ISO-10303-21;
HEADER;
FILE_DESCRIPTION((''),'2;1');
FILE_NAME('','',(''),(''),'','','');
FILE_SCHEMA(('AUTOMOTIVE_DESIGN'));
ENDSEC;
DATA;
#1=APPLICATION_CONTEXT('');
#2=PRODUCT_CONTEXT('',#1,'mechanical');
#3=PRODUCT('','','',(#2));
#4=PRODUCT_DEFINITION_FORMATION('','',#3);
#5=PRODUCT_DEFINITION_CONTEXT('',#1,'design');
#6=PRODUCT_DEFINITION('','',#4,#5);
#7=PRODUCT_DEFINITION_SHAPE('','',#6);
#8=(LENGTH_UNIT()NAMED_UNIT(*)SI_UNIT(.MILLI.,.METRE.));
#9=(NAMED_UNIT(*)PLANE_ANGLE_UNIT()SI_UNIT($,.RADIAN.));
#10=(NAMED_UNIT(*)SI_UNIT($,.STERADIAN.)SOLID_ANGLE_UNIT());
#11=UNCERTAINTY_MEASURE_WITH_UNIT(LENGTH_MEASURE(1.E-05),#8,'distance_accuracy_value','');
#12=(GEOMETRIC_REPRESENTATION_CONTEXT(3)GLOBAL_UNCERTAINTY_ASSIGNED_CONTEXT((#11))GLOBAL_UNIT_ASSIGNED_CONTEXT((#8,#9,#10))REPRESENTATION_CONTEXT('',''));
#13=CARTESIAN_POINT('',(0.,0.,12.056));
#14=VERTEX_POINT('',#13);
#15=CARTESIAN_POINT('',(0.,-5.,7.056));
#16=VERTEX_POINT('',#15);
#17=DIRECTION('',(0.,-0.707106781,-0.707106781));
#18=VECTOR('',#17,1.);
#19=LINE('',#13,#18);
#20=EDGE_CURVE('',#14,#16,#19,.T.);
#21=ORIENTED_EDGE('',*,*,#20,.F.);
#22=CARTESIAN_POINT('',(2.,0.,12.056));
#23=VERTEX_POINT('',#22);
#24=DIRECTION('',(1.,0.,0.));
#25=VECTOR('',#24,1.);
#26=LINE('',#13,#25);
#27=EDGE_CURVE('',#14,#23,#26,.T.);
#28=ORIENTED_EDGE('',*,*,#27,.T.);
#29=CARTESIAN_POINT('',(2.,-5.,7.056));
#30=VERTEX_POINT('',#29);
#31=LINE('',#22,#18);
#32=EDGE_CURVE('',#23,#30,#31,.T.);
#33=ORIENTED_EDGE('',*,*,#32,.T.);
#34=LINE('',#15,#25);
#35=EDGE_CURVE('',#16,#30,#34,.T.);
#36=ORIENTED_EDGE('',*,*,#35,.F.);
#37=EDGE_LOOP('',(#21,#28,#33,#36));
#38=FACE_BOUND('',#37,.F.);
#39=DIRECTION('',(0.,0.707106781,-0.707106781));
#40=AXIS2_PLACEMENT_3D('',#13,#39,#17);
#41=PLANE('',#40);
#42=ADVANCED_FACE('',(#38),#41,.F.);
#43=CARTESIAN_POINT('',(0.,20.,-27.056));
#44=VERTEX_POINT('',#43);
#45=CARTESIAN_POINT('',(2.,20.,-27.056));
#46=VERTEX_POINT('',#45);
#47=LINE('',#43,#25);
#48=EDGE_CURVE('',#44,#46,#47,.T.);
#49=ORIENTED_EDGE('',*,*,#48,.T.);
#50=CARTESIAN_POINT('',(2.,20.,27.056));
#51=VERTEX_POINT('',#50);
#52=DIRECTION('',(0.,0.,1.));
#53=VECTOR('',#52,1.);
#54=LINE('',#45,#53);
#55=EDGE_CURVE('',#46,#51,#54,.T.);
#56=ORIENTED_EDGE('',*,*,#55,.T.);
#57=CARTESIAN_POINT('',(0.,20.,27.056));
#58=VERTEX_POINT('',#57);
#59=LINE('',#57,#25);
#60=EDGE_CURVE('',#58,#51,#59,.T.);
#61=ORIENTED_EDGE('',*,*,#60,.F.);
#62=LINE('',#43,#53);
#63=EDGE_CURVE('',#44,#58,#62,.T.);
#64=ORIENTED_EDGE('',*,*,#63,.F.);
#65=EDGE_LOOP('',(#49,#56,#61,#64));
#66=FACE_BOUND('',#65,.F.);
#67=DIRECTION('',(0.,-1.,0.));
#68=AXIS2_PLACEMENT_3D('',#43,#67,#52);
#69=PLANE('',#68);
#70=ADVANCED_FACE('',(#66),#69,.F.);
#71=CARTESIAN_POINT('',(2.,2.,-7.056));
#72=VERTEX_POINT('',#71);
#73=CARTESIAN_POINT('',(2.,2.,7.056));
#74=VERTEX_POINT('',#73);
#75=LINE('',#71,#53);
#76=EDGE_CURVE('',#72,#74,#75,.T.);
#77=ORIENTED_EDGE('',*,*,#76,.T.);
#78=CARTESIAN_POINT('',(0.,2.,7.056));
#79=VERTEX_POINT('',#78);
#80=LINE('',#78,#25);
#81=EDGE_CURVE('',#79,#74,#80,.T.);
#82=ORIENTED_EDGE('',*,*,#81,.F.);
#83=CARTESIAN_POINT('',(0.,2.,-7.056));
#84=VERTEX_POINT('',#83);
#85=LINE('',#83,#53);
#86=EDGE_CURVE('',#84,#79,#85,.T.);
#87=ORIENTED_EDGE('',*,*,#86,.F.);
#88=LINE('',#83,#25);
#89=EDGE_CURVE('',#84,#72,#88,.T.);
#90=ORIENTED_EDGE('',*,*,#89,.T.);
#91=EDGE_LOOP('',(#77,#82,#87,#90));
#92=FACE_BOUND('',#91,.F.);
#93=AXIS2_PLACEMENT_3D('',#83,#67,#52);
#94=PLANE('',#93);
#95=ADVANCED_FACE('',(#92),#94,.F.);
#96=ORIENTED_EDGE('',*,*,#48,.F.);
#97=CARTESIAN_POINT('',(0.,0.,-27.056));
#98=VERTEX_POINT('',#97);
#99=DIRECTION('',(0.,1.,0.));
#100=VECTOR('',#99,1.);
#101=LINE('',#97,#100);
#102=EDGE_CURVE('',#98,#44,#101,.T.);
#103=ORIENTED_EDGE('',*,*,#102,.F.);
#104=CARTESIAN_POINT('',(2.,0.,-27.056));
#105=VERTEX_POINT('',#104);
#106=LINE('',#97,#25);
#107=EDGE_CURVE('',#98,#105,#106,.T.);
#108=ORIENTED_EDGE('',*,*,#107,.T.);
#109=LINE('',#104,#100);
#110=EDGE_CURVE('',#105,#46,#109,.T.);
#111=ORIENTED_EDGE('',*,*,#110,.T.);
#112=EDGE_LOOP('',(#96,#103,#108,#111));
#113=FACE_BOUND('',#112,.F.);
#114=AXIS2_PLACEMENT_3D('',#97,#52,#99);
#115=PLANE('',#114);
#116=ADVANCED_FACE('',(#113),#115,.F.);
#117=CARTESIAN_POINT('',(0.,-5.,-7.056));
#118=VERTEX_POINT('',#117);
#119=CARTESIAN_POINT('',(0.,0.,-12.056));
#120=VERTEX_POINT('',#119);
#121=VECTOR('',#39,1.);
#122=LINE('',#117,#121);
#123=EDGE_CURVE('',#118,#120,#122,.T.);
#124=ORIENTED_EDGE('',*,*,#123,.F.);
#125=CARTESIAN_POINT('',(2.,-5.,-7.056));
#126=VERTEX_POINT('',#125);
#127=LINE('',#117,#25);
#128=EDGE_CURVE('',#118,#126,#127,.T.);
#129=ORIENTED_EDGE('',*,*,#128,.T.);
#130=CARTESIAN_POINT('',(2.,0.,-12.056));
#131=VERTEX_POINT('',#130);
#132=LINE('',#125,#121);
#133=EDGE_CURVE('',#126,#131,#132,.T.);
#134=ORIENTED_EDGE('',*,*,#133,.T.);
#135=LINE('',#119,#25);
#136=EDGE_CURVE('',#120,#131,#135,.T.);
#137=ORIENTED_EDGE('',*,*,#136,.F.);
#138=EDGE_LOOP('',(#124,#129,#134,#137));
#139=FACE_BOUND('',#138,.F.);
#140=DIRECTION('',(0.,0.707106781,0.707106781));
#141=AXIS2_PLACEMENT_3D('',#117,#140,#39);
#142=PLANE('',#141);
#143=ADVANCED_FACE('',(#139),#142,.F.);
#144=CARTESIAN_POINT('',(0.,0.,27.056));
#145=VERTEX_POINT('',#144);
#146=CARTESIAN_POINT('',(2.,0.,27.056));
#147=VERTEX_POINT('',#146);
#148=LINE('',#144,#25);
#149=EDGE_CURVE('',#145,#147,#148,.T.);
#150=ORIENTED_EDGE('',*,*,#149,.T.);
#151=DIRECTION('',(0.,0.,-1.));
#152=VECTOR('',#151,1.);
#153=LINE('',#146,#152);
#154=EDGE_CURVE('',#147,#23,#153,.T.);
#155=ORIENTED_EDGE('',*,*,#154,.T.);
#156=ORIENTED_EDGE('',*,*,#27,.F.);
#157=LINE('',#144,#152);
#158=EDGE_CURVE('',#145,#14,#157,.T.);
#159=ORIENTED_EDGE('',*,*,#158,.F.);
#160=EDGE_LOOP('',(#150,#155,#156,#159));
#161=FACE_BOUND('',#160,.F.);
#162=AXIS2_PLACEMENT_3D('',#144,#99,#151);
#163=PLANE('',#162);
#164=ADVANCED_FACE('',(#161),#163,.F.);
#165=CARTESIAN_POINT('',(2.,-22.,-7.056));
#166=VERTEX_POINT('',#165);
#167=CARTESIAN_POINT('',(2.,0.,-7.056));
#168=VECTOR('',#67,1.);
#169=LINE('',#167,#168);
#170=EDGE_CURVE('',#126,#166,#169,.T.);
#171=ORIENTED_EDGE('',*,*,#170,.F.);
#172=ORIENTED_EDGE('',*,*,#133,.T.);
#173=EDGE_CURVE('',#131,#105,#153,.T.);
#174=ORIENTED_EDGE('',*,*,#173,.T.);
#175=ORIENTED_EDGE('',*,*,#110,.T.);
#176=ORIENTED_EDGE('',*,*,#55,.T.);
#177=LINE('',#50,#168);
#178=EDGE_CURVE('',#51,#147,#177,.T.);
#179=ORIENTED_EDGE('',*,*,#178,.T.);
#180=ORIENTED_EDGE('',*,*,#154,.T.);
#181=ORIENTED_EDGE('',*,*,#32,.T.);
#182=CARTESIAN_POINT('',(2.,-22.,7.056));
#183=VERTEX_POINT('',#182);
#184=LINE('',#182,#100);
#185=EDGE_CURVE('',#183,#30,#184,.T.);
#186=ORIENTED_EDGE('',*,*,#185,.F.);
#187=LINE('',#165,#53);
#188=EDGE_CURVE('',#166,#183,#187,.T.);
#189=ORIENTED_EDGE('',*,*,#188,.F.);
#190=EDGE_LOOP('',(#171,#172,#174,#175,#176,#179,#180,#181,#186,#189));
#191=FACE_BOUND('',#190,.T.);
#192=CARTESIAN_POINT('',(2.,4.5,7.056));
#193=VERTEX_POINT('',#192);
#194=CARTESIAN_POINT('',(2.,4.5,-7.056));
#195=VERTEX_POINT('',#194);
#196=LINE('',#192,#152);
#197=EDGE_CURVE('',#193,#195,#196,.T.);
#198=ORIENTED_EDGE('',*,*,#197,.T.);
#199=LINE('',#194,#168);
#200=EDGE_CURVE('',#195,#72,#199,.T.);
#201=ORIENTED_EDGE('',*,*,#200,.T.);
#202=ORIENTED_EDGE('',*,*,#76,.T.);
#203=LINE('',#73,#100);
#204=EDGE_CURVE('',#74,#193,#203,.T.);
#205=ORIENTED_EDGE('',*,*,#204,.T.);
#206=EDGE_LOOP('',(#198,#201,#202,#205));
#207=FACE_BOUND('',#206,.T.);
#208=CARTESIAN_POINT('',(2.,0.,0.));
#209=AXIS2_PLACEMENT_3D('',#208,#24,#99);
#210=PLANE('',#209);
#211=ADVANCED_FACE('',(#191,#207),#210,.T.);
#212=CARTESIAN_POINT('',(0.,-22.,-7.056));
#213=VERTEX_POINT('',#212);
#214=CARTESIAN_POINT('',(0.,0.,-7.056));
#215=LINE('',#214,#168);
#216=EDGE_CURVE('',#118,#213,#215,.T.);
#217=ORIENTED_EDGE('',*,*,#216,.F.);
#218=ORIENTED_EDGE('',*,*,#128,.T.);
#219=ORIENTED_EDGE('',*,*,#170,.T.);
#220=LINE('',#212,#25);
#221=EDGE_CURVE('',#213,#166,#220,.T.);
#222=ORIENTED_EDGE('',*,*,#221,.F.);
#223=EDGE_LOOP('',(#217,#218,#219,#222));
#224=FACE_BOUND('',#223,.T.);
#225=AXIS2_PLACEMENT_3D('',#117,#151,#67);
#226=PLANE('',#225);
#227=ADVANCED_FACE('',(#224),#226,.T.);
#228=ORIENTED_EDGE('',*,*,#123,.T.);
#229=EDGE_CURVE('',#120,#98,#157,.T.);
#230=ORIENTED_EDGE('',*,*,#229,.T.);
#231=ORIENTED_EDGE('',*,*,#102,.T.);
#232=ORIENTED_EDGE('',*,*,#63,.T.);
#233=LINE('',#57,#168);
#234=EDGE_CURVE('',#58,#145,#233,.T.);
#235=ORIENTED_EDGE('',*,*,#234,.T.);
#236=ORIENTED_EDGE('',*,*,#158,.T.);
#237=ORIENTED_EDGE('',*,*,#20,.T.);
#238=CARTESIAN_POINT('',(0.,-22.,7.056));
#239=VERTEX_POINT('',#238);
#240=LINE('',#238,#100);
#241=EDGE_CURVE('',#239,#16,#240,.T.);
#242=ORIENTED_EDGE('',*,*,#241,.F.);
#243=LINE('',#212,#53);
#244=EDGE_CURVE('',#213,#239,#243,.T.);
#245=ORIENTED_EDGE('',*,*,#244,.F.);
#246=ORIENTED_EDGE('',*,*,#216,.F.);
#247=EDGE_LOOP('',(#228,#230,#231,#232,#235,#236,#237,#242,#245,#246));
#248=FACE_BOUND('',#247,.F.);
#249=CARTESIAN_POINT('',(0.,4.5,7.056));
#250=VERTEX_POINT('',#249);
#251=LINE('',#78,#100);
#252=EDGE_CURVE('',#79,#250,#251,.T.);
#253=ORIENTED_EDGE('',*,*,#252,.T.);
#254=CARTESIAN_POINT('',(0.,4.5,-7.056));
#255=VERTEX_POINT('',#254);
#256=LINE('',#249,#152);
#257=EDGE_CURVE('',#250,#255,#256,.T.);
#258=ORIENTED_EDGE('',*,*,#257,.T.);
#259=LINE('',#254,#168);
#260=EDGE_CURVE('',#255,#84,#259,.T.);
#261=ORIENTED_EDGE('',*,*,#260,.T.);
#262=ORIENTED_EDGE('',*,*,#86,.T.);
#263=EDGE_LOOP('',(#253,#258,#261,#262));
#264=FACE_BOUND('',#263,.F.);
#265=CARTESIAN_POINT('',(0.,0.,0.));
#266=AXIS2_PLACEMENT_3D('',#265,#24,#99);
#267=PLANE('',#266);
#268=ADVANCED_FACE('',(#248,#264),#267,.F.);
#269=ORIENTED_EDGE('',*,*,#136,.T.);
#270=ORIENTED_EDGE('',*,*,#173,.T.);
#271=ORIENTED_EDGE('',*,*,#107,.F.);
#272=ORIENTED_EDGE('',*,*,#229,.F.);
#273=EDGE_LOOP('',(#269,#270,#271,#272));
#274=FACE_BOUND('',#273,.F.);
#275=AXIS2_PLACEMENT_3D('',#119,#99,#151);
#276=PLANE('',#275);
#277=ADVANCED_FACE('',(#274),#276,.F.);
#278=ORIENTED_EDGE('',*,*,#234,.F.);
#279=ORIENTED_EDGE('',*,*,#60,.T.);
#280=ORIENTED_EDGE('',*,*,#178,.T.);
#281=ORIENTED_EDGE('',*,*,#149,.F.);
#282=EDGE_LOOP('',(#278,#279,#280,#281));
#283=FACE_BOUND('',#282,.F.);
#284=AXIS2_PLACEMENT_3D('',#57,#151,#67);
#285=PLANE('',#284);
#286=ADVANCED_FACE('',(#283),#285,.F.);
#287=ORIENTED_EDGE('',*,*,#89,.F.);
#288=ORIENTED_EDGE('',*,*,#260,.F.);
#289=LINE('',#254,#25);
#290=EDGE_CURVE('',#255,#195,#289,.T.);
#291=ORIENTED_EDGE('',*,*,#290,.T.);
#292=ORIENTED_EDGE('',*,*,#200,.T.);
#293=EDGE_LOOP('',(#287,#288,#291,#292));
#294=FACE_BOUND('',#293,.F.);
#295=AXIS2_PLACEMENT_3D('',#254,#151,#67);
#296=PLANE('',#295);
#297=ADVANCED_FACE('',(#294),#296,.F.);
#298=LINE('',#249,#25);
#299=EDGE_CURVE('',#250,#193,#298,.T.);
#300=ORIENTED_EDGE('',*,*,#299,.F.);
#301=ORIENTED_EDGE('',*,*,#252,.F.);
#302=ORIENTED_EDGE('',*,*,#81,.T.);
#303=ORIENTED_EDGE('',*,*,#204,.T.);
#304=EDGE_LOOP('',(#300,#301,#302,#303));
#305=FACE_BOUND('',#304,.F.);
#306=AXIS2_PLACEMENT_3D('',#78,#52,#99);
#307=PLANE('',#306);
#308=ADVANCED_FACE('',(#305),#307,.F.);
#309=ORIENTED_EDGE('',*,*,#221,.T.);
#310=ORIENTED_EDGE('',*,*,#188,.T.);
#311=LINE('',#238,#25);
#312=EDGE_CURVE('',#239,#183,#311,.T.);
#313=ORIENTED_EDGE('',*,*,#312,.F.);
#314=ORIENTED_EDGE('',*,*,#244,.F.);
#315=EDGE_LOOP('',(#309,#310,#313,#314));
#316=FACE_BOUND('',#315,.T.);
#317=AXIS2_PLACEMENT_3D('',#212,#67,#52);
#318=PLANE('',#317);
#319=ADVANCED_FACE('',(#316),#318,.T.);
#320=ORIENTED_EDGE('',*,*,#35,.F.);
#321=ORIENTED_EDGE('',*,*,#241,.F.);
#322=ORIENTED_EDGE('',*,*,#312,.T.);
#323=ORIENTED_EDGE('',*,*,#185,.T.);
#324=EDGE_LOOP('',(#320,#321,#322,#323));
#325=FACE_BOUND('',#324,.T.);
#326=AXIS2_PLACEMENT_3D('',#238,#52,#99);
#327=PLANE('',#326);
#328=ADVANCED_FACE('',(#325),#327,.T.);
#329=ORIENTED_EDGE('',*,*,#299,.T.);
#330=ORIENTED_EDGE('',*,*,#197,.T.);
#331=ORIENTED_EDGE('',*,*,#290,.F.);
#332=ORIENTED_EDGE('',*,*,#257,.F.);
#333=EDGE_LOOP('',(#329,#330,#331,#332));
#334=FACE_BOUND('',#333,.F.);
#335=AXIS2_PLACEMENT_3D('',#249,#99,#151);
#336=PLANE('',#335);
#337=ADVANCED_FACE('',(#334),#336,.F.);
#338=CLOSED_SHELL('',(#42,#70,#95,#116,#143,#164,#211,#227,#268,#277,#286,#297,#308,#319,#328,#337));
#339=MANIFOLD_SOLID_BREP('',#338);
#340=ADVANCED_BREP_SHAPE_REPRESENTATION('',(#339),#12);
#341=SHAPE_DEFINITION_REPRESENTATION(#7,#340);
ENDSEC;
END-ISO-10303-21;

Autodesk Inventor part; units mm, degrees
ref_plane "YZ Plane" through (0, 0, 0) normal (1, 0, 0) x (0, 1, 0)
ref_plane "XZ Plane" through (0, 0, 0) normal (0, 1, 0) x (-1, 0, 0)
ref_plane "XY Plane" through (0, 0, 0) normal (0, 0, 1) x (1, 0, 0)
sketch "Sketch1" plane through (0, 0, 0) normal (1, 0, 0) x (0, 1, 0)
  line L0 (20, 27.056) -> (0, 27.056)
  line L1 (0, 27.056) -> (0, -27.056)
  line L2 (0, -27.056) -> (20, -27.056)
  line L3 (20, -27.056) -> (20, 27.056)
  line L4 (0, 27.056) -> (0, 0)
  line L5 (0, 0) -> (0, -7.056)
  line L6 (0, -7.056) -> (-22, -7.056)
  line L7 (-22, -7.056) -> (-22, 7.056)
  line L8 (-22, 7.056) -> (0, 7.056)
  line L9 (0, 7.056) -> (0, -7.056)
  line L10 (0, 7.056) -> (2, 7.056)
  line L11 (2, 7.056) -> (4.5, 7.056)
  line L12 (4.5, 7.056) -> (4.5, -7.056)
  line L13 (4.5, -7.056) -> (2, -7.056)
  line L14 (2, -7.056) -> (2, 7.056)
  line L15 (0, 7.056) -> (0, 12.056)
  line L16 (0, 12.056) -> (-5, 7.056)
  line L17 (0, -7.056) -> (-5, -7.056)
  line L18 (-5, -7.056) -> (0, -12.056)
  line L19 (0, -7.056) -> (0, -12.056)
  point P0 (0, 0)
  dimension "d0" = 20
  dimension "d1" = 54.112
  dimension "d2" = 27.056
  dimension "d3" = 7.056
  dimension "d4" = 22
  dimension "d5" = 14.112
  dimension "d6" = 2
  dimension "d7" = 2.5
  dimension "d8" = 5
  dimension "d9" = 45
  dimension "d10" = 5
extrude "Extrusion1" add sketch "Sketch1" along normal blind 2
properties part number "manual_locker_upper_raw"
